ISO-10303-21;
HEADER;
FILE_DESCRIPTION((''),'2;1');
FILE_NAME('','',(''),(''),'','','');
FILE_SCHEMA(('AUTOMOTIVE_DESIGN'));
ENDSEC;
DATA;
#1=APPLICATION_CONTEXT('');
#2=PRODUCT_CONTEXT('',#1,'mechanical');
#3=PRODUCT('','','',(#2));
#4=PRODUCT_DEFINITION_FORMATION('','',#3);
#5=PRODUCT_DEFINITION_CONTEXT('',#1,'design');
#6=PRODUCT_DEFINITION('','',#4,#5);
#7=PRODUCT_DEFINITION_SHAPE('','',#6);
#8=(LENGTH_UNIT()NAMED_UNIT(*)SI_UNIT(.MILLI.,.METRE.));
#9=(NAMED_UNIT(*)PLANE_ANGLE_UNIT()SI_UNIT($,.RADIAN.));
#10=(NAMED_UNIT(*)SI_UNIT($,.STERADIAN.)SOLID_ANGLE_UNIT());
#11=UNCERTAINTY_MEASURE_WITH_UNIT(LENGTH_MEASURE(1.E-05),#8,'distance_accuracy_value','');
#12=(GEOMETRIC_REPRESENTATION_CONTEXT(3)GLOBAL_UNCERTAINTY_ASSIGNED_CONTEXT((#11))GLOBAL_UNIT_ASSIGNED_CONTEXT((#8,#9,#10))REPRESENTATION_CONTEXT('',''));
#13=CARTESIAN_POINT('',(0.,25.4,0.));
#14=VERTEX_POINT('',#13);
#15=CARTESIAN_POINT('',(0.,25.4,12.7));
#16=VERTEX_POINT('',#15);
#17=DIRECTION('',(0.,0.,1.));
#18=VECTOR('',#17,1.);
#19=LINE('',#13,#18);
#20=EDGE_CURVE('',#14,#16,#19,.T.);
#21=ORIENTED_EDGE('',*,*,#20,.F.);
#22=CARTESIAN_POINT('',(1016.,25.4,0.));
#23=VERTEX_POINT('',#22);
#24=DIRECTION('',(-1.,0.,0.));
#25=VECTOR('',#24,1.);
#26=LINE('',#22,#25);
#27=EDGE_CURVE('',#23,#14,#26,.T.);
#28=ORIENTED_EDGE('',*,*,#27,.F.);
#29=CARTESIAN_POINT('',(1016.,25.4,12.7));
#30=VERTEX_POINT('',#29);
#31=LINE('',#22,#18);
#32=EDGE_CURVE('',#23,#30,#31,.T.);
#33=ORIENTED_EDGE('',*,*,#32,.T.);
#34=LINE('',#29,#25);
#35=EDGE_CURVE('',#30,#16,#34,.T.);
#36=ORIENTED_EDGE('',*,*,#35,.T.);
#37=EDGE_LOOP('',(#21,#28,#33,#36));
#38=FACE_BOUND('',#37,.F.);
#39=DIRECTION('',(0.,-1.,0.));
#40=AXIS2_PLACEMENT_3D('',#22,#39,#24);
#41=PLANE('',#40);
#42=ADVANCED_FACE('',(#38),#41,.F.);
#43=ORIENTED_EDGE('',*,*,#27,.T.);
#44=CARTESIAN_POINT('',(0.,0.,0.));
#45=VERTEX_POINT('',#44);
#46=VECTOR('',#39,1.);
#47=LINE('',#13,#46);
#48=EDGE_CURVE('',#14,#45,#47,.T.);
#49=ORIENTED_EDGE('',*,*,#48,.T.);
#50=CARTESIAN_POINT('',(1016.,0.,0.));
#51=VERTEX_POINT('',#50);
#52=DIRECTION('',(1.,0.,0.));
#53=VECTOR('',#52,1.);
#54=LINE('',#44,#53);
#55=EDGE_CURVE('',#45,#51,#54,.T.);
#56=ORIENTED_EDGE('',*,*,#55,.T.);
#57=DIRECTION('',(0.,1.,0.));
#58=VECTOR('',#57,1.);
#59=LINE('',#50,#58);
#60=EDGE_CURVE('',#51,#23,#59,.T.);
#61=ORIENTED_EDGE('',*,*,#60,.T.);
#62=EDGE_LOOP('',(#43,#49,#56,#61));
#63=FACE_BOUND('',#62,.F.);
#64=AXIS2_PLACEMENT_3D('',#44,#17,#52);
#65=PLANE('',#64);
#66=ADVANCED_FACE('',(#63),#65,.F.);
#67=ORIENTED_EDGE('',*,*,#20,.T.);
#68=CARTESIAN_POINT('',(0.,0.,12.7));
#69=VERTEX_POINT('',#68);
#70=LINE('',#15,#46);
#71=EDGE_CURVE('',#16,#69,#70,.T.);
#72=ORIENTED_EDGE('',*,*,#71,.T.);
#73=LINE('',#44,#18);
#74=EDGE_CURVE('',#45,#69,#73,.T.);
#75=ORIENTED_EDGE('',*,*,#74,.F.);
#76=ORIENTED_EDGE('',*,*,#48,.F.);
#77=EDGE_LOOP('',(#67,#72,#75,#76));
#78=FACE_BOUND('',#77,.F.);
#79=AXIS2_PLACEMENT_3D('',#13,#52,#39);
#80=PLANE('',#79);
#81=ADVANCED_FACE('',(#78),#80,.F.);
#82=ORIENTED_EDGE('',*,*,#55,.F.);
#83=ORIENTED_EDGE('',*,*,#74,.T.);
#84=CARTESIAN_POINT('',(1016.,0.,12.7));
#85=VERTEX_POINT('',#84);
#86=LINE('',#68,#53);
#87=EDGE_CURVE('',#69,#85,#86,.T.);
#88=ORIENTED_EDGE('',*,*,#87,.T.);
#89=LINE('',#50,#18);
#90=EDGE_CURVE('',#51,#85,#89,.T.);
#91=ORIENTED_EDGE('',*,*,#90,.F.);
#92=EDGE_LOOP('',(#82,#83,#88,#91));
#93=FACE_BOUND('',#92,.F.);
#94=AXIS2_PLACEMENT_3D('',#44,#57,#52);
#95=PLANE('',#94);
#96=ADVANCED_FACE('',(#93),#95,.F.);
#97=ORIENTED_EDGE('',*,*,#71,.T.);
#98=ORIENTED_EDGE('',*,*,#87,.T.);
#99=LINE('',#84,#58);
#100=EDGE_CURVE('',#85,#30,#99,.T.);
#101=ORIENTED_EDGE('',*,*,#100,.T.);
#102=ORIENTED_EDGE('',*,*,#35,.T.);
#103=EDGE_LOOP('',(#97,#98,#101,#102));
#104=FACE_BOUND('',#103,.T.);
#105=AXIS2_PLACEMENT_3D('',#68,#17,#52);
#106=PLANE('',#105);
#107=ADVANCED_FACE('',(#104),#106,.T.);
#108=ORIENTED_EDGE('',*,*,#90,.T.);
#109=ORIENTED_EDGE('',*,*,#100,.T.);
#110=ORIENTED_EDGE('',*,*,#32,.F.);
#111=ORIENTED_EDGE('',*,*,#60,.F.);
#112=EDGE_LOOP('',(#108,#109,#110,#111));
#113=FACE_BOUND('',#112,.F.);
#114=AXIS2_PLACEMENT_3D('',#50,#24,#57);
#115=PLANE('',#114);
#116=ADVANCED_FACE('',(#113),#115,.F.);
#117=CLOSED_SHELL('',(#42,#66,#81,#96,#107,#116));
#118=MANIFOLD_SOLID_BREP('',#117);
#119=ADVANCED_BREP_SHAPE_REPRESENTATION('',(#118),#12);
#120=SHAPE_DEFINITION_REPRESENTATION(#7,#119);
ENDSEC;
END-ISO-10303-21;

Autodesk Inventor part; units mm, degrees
ref_plane "YZ Plane" through (0, 0, 0) normal (1, 0, 0) x (0, 1, 0)
ref_plane "XZ Plane" through (0, 0, 0) normal (0, 1, 0) x (-1, 0, 0)
ref_plane "XY Plane" through (0, 0, 0) normal (0, 0, 1) x (1, 0, 0)
sketch "Sketch1" plane through (0, 0, 0) normal (0, 0, 1) x (1, 0, 0)
  line L0 (0, 0) -> (1016, 0)
  line L1 (1016, 0) -> (1016, 25.4)
  line L2 (1016, 25.4) -> (0, 25.4)
  line L3 (0, 25.4) -> (0, 0)
  dimension "d0" = 1016
  dimension "d1" = 25.4
extrude "Extrusion1" add sketch "Sketch1" along normal blind 12.7
properties part number "height tester"
